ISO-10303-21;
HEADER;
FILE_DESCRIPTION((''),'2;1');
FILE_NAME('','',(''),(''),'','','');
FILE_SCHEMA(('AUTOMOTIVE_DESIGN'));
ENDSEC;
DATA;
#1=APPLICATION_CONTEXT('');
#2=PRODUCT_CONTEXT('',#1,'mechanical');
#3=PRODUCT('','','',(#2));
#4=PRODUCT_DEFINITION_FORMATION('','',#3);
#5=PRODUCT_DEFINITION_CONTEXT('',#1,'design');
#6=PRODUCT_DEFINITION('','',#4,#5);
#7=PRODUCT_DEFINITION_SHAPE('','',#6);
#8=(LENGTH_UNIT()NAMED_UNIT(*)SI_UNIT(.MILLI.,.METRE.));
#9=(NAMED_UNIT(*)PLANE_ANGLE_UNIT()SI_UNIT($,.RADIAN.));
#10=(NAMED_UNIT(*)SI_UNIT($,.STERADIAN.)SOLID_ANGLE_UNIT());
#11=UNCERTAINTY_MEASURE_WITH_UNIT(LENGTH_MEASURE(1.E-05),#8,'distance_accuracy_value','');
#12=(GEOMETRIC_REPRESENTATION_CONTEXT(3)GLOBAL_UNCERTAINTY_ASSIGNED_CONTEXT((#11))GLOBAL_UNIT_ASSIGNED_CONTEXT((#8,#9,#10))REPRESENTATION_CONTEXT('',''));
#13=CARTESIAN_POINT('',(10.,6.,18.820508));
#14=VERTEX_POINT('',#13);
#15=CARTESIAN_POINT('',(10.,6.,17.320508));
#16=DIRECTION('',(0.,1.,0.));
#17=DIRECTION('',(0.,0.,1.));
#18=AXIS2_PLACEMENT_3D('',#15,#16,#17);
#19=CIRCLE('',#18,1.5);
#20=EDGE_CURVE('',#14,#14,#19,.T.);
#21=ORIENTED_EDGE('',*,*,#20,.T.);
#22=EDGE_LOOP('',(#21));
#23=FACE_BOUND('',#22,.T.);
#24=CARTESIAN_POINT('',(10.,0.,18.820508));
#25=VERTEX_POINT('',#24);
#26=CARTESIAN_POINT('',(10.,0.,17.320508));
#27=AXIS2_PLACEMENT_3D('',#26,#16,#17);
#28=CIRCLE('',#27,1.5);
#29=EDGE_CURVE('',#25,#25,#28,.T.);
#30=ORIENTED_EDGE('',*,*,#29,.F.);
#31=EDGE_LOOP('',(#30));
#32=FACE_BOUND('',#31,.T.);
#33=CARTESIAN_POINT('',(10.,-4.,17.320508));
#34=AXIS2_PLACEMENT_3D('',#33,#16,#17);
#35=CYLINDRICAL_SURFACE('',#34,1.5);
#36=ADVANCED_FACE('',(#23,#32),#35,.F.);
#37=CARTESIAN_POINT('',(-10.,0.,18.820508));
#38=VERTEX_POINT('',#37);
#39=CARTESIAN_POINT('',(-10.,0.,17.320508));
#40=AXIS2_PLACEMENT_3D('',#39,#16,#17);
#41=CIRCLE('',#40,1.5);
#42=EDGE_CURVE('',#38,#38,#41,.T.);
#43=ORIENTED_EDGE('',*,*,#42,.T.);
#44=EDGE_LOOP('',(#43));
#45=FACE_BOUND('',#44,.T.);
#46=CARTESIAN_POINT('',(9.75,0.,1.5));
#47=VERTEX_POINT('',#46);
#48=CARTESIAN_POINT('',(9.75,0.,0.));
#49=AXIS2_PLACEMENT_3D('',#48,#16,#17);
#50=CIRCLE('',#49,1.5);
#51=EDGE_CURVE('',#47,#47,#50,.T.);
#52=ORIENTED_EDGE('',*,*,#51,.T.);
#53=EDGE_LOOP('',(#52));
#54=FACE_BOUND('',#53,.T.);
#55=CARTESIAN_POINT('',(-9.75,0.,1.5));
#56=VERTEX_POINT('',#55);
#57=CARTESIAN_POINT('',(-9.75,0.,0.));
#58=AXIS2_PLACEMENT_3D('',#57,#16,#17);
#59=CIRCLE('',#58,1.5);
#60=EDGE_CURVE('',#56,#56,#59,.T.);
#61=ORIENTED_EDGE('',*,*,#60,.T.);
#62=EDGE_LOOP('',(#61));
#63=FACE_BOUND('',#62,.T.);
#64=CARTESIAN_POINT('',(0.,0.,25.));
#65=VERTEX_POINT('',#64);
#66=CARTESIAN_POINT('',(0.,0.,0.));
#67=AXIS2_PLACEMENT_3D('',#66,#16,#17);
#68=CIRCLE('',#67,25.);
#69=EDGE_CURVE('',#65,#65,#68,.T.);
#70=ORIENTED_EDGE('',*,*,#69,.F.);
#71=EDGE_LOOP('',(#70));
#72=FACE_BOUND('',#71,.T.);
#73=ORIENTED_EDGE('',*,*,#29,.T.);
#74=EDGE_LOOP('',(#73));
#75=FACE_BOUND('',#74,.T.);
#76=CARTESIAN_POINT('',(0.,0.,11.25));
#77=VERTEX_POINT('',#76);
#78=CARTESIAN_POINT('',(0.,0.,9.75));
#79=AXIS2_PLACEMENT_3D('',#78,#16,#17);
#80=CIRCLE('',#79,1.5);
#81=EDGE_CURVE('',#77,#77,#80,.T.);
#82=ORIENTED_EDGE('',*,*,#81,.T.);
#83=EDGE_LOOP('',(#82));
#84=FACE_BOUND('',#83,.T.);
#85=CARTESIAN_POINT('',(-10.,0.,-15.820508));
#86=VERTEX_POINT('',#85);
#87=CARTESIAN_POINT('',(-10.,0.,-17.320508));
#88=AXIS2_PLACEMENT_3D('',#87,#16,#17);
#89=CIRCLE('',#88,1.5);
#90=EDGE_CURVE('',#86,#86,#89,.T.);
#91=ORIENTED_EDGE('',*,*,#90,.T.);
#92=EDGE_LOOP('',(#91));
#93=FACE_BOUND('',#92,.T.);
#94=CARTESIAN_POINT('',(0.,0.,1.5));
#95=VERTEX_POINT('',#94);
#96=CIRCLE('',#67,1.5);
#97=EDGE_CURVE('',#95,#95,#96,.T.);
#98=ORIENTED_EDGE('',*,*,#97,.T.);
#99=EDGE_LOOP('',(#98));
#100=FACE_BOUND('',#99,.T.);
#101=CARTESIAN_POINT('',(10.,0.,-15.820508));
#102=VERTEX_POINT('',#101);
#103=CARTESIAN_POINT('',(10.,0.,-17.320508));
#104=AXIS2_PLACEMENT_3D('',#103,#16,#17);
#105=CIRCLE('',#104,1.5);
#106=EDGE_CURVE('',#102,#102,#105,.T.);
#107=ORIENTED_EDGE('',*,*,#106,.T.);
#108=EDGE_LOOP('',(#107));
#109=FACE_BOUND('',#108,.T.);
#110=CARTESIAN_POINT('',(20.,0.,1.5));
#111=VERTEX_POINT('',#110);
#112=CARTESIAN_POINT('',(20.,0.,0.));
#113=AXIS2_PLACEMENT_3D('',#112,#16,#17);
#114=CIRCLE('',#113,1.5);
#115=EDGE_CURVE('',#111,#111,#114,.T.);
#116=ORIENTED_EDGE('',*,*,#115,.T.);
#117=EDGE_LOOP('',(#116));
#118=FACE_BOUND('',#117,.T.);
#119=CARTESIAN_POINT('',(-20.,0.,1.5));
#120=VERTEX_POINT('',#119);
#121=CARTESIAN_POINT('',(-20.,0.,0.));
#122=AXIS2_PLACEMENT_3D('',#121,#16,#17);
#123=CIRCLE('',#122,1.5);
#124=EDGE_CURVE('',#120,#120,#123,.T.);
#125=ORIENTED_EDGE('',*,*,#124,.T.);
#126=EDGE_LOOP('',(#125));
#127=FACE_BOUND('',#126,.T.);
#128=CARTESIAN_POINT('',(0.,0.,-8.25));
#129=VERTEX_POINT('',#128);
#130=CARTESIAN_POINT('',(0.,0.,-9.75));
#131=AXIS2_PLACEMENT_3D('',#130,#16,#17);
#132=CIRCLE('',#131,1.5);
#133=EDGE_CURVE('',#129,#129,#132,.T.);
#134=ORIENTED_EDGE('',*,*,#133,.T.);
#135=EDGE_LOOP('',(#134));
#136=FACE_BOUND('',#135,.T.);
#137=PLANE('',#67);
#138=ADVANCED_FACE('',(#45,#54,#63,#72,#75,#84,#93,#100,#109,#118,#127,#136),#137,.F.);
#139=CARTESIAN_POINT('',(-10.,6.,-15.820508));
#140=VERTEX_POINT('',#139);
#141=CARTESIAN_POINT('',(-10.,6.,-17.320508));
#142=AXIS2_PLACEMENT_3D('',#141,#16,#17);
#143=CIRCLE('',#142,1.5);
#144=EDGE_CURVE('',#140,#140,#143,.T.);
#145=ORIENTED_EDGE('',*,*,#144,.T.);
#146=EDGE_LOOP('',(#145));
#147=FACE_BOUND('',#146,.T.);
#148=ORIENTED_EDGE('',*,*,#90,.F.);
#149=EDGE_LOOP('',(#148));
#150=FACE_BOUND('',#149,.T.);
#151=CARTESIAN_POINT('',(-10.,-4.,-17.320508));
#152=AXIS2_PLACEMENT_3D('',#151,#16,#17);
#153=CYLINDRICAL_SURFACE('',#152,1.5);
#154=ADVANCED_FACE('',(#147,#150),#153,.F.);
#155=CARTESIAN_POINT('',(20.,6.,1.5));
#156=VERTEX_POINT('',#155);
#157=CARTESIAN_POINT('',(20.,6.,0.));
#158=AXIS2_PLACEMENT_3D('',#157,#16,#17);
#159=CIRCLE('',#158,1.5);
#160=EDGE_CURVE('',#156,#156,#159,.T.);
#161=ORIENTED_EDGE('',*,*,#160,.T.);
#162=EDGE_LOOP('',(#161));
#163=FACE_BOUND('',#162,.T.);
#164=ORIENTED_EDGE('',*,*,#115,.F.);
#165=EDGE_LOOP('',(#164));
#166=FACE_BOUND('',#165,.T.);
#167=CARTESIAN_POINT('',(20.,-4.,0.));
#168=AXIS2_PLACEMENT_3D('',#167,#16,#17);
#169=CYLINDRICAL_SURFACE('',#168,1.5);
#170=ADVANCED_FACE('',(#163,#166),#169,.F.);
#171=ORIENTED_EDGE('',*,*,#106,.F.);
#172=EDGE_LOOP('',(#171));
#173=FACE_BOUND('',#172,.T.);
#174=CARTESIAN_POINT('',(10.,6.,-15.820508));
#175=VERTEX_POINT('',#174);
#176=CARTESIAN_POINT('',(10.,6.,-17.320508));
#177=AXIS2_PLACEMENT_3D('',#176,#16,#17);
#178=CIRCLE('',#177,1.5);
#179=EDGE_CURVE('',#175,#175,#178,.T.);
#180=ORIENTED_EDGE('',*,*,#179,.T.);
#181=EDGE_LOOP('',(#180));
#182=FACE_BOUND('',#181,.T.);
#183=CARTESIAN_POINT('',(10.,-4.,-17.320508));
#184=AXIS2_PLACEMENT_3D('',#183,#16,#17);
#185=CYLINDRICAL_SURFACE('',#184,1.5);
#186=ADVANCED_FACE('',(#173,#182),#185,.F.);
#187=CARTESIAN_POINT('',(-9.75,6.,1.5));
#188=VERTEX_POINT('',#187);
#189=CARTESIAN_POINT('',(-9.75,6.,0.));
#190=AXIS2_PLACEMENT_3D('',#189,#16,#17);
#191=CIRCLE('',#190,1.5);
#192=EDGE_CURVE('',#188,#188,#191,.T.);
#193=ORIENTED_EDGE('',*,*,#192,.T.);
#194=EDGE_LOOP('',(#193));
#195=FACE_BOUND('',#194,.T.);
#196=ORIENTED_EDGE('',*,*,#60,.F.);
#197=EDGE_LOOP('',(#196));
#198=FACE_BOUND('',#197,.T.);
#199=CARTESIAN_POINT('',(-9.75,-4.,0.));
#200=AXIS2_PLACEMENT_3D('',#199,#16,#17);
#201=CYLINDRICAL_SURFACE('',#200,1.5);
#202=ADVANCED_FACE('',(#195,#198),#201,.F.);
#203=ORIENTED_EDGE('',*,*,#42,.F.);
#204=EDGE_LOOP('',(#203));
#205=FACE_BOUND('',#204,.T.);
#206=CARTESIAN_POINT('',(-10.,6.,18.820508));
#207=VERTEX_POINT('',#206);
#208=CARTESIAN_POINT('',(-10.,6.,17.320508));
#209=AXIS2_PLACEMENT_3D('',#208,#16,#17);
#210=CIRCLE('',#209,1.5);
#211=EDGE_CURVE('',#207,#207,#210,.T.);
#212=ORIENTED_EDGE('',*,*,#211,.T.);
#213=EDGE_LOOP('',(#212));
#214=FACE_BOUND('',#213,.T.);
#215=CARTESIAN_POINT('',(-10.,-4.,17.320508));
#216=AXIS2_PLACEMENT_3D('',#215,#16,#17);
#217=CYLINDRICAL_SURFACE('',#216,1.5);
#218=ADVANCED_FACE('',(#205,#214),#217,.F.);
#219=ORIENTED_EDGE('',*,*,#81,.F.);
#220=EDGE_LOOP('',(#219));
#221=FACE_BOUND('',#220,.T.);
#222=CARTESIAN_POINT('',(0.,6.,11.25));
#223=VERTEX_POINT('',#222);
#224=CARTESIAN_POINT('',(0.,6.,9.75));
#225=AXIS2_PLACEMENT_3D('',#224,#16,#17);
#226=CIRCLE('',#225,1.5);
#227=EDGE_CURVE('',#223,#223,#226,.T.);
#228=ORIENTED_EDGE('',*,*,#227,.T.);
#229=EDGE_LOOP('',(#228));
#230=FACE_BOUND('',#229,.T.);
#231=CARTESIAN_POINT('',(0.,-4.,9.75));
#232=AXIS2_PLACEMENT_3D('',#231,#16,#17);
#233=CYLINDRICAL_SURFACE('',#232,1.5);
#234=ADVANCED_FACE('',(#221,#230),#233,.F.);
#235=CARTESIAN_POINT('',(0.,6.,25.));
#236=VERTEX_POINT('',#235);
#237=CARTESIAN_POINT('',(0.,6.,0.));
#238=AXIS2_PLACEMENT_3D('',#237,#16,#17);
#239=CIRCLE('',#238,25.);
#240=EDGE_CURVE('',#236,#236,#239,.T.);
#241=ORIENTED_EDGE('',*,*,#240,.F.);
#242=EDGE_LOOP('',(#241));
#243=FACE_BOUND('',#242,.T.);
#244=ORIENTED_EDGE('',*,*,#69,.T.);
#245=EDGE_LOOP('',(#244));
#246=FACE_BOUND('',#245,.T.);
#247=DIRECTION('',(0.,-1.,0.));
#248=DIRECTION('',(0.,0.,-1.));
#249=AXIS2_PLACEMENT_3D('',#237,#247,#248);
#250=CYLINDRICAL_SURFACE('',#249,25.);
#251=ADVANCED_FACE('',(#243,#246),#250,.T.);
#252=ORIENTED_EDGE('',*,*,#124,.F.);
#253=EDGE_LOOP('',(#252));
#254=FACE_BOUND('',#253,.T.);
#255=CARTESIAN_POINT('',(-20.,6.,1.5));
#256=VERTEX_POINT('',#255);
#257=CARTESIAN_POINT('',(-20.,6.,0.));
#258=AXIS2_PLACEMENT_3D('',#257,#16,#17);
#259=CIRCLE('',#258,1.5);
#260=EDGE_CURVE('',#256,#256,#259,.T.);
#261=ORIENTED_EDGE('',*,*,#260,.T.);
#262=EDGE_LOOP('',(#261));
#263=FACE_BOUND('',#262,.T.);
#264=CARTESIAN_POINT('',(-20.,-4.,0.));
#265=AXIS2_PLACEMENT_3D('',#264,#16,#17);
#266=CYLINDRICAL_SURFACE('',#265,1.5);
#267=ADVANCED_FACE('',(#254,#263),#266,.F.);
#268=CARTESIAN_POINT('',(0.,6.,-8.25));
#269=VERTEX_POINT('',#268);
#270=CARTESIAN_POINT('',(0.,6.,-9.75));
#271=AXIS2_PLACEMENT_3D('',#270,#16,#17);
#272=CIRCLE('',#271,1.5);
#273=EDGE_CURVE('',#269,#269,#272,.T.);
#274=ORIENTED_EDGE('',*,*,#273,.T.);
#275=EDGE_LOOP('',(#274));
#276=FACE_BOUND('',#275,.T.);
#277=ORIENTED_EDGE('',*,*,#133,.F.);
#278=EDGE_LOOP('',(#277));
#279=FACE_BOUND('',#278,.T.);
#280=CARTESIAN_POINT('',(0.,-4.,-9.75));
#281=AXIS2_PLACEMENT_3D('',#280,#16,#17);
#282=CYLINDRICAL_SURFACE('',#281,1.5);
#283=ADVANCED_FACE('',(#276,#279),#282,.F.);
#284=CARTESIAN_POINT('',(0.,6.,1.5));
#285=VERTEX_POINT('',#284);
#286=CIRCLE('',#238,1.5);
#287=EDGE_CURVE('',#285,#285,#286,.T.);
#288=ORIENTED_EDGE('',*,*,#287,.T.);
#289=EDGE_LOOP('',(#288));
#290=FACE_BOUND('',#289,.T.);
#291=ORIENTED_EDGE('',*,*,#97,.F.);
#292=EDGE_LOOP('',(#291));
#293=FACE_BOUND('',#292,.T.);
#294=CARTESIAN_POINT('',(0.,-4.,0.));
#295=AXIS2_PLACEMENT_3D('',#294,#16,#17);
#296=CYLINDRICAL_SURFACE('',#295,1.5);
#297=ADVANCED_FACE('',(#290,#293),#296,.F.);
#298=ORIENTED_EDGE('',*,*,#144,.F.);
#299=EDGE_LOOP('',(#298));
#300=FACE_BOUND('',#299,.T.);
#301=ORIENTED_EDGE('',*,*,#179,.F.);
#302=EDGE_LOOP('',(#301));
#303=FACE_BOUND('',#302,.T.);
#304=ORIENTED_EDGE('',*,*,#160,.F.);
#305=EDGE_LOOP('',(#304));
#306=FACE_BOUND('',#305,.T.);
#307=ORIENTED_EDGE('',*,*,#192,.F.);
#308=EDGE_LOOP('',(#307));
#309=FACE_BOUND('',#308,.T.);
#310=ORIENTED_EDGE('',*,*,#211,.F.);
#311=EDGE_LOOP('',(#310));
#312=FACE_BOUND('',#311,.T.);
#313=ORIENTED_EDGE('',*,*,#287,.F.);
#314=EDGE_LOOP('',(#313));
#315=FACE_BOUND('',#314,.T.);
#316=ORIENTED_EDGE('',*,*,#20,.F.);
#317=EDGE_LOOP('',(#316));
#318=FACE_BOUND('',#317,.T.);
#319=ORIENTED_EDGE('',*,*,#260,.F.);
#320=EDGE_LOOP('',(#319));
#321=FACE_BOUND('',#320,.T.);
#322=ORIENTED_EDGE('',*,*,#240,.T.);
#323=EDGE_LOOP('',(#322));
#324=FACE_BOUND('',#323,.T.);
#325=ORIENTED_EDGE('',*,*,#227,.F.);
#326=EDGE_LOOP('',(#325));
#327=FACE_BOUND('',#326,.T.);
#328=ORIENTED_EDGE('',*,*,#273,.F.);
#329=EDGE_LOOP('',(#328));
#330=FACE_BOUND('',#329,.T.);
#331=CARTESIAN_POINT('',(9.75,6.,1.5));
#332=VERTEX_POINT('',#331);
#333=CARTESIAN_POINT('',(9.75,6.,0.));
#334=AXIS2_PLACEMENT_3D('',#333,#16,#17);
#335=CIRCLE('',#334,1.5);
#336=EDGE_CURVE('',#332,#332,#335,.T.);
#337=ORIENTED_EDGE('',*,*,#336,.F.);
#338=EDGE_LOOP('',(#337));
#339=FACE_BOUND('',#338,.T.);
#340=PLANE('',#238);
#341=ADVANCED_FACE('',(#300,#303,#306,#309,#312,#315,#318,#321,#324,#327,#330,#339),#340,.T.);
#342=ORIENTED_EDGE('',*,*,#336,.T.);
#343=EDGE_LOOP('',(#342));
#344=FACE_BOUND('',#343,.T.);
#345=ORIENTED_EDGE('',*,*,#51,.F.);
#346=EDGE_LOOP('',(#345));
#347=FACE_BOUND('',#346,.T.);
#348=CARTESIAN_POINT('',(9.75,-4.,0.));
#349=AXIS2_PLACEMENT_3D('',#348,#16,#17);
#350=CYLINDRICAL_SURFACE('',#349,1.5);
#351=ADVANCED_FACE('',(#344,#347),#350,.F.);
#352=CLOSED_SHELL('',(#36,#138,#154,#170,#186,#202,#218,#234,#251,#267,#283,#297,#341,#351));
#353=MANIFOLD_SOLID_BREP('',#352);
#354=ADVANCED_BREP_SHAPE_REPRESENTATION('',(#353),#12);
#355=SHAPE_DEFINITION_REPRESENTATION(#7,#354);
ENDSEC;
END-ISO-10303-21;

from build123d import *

# Parameters (mm, degrees)
SKETCH_1_R          = 25
EXTRUDE_1_DEPTH     = 6
SKETCH_2_R          = 1.5
CUT_EXTRUDE_1_DEPTH = 10


with BuildPart() as part:
    # 草图1 → 凸台-拉伸1 (new body)
    with BuildSketch(Plane(origin=(0, 0, 0), x_dir=(1, 0, 0), z_dir=(0, 1, 0))):
        with Locations(Location((0, 0, 0), (0, 0, 270))):
            Circle(SKETCH_1_R)
    extrude(amount=EXTRUDE_1_DEPTH)

    # 草图2 → 切除-拉伸1 (cut)
    with BuildSketch(Plane(origin=(0, 6, 0), x_dir=(1, 0, 0), z_dir=(0, 1, 0))):
        with Locations(Location((9.75, 0, 0), (0, 0, 270))):
            Circle(SKETCH_2_R)
        with Locations(Location((0, -9.75, 0), (0, 0, 270))):
            Circle(SKETCH_2_R)
        with Locations(Location((-9.75, 0, 0), (0, 0, 270))):
            Circle(SKETCH_2_R)
        with Locations(Location((0, 9.75, 0), (0, 0, 270))):
            Circle(SKETCH_2_R)
        with Locations(Location((0, 0, 0), (0, 0, 270))):
            Circle(SKETCH_2_R)
        with Locations(Location((-20, 0, 0), (0, 0, 270))):
            Circle(SKETCH_2_R)
        with Locations(Location((-10, 17.320508076, 0), (0, 0, 270))):
            Circle(SKETCH_2_R)
        with Locations(Location((10, 17.320508076, 0), (0, 0, 270))):
            Circle(SKETCH_2_R)
        with Locations(Location((20, 0, 0), (0, 0, 270))):
            Circle(SKETCH_2_R)
        with Locations(Location((10, -17.320508076, 0), (0, 0, 270))):
            Circle(SKETCH_2_R)
        with Locations(Location((-10, -17.320508076, 0), (0, 0, 270))):
            Circle(SKETCH_2_R)
    extrude(amount=-CUT_EXTRUDE_1_DEPTH, mode=Mode.SUBTRACT)


solid = part.part
